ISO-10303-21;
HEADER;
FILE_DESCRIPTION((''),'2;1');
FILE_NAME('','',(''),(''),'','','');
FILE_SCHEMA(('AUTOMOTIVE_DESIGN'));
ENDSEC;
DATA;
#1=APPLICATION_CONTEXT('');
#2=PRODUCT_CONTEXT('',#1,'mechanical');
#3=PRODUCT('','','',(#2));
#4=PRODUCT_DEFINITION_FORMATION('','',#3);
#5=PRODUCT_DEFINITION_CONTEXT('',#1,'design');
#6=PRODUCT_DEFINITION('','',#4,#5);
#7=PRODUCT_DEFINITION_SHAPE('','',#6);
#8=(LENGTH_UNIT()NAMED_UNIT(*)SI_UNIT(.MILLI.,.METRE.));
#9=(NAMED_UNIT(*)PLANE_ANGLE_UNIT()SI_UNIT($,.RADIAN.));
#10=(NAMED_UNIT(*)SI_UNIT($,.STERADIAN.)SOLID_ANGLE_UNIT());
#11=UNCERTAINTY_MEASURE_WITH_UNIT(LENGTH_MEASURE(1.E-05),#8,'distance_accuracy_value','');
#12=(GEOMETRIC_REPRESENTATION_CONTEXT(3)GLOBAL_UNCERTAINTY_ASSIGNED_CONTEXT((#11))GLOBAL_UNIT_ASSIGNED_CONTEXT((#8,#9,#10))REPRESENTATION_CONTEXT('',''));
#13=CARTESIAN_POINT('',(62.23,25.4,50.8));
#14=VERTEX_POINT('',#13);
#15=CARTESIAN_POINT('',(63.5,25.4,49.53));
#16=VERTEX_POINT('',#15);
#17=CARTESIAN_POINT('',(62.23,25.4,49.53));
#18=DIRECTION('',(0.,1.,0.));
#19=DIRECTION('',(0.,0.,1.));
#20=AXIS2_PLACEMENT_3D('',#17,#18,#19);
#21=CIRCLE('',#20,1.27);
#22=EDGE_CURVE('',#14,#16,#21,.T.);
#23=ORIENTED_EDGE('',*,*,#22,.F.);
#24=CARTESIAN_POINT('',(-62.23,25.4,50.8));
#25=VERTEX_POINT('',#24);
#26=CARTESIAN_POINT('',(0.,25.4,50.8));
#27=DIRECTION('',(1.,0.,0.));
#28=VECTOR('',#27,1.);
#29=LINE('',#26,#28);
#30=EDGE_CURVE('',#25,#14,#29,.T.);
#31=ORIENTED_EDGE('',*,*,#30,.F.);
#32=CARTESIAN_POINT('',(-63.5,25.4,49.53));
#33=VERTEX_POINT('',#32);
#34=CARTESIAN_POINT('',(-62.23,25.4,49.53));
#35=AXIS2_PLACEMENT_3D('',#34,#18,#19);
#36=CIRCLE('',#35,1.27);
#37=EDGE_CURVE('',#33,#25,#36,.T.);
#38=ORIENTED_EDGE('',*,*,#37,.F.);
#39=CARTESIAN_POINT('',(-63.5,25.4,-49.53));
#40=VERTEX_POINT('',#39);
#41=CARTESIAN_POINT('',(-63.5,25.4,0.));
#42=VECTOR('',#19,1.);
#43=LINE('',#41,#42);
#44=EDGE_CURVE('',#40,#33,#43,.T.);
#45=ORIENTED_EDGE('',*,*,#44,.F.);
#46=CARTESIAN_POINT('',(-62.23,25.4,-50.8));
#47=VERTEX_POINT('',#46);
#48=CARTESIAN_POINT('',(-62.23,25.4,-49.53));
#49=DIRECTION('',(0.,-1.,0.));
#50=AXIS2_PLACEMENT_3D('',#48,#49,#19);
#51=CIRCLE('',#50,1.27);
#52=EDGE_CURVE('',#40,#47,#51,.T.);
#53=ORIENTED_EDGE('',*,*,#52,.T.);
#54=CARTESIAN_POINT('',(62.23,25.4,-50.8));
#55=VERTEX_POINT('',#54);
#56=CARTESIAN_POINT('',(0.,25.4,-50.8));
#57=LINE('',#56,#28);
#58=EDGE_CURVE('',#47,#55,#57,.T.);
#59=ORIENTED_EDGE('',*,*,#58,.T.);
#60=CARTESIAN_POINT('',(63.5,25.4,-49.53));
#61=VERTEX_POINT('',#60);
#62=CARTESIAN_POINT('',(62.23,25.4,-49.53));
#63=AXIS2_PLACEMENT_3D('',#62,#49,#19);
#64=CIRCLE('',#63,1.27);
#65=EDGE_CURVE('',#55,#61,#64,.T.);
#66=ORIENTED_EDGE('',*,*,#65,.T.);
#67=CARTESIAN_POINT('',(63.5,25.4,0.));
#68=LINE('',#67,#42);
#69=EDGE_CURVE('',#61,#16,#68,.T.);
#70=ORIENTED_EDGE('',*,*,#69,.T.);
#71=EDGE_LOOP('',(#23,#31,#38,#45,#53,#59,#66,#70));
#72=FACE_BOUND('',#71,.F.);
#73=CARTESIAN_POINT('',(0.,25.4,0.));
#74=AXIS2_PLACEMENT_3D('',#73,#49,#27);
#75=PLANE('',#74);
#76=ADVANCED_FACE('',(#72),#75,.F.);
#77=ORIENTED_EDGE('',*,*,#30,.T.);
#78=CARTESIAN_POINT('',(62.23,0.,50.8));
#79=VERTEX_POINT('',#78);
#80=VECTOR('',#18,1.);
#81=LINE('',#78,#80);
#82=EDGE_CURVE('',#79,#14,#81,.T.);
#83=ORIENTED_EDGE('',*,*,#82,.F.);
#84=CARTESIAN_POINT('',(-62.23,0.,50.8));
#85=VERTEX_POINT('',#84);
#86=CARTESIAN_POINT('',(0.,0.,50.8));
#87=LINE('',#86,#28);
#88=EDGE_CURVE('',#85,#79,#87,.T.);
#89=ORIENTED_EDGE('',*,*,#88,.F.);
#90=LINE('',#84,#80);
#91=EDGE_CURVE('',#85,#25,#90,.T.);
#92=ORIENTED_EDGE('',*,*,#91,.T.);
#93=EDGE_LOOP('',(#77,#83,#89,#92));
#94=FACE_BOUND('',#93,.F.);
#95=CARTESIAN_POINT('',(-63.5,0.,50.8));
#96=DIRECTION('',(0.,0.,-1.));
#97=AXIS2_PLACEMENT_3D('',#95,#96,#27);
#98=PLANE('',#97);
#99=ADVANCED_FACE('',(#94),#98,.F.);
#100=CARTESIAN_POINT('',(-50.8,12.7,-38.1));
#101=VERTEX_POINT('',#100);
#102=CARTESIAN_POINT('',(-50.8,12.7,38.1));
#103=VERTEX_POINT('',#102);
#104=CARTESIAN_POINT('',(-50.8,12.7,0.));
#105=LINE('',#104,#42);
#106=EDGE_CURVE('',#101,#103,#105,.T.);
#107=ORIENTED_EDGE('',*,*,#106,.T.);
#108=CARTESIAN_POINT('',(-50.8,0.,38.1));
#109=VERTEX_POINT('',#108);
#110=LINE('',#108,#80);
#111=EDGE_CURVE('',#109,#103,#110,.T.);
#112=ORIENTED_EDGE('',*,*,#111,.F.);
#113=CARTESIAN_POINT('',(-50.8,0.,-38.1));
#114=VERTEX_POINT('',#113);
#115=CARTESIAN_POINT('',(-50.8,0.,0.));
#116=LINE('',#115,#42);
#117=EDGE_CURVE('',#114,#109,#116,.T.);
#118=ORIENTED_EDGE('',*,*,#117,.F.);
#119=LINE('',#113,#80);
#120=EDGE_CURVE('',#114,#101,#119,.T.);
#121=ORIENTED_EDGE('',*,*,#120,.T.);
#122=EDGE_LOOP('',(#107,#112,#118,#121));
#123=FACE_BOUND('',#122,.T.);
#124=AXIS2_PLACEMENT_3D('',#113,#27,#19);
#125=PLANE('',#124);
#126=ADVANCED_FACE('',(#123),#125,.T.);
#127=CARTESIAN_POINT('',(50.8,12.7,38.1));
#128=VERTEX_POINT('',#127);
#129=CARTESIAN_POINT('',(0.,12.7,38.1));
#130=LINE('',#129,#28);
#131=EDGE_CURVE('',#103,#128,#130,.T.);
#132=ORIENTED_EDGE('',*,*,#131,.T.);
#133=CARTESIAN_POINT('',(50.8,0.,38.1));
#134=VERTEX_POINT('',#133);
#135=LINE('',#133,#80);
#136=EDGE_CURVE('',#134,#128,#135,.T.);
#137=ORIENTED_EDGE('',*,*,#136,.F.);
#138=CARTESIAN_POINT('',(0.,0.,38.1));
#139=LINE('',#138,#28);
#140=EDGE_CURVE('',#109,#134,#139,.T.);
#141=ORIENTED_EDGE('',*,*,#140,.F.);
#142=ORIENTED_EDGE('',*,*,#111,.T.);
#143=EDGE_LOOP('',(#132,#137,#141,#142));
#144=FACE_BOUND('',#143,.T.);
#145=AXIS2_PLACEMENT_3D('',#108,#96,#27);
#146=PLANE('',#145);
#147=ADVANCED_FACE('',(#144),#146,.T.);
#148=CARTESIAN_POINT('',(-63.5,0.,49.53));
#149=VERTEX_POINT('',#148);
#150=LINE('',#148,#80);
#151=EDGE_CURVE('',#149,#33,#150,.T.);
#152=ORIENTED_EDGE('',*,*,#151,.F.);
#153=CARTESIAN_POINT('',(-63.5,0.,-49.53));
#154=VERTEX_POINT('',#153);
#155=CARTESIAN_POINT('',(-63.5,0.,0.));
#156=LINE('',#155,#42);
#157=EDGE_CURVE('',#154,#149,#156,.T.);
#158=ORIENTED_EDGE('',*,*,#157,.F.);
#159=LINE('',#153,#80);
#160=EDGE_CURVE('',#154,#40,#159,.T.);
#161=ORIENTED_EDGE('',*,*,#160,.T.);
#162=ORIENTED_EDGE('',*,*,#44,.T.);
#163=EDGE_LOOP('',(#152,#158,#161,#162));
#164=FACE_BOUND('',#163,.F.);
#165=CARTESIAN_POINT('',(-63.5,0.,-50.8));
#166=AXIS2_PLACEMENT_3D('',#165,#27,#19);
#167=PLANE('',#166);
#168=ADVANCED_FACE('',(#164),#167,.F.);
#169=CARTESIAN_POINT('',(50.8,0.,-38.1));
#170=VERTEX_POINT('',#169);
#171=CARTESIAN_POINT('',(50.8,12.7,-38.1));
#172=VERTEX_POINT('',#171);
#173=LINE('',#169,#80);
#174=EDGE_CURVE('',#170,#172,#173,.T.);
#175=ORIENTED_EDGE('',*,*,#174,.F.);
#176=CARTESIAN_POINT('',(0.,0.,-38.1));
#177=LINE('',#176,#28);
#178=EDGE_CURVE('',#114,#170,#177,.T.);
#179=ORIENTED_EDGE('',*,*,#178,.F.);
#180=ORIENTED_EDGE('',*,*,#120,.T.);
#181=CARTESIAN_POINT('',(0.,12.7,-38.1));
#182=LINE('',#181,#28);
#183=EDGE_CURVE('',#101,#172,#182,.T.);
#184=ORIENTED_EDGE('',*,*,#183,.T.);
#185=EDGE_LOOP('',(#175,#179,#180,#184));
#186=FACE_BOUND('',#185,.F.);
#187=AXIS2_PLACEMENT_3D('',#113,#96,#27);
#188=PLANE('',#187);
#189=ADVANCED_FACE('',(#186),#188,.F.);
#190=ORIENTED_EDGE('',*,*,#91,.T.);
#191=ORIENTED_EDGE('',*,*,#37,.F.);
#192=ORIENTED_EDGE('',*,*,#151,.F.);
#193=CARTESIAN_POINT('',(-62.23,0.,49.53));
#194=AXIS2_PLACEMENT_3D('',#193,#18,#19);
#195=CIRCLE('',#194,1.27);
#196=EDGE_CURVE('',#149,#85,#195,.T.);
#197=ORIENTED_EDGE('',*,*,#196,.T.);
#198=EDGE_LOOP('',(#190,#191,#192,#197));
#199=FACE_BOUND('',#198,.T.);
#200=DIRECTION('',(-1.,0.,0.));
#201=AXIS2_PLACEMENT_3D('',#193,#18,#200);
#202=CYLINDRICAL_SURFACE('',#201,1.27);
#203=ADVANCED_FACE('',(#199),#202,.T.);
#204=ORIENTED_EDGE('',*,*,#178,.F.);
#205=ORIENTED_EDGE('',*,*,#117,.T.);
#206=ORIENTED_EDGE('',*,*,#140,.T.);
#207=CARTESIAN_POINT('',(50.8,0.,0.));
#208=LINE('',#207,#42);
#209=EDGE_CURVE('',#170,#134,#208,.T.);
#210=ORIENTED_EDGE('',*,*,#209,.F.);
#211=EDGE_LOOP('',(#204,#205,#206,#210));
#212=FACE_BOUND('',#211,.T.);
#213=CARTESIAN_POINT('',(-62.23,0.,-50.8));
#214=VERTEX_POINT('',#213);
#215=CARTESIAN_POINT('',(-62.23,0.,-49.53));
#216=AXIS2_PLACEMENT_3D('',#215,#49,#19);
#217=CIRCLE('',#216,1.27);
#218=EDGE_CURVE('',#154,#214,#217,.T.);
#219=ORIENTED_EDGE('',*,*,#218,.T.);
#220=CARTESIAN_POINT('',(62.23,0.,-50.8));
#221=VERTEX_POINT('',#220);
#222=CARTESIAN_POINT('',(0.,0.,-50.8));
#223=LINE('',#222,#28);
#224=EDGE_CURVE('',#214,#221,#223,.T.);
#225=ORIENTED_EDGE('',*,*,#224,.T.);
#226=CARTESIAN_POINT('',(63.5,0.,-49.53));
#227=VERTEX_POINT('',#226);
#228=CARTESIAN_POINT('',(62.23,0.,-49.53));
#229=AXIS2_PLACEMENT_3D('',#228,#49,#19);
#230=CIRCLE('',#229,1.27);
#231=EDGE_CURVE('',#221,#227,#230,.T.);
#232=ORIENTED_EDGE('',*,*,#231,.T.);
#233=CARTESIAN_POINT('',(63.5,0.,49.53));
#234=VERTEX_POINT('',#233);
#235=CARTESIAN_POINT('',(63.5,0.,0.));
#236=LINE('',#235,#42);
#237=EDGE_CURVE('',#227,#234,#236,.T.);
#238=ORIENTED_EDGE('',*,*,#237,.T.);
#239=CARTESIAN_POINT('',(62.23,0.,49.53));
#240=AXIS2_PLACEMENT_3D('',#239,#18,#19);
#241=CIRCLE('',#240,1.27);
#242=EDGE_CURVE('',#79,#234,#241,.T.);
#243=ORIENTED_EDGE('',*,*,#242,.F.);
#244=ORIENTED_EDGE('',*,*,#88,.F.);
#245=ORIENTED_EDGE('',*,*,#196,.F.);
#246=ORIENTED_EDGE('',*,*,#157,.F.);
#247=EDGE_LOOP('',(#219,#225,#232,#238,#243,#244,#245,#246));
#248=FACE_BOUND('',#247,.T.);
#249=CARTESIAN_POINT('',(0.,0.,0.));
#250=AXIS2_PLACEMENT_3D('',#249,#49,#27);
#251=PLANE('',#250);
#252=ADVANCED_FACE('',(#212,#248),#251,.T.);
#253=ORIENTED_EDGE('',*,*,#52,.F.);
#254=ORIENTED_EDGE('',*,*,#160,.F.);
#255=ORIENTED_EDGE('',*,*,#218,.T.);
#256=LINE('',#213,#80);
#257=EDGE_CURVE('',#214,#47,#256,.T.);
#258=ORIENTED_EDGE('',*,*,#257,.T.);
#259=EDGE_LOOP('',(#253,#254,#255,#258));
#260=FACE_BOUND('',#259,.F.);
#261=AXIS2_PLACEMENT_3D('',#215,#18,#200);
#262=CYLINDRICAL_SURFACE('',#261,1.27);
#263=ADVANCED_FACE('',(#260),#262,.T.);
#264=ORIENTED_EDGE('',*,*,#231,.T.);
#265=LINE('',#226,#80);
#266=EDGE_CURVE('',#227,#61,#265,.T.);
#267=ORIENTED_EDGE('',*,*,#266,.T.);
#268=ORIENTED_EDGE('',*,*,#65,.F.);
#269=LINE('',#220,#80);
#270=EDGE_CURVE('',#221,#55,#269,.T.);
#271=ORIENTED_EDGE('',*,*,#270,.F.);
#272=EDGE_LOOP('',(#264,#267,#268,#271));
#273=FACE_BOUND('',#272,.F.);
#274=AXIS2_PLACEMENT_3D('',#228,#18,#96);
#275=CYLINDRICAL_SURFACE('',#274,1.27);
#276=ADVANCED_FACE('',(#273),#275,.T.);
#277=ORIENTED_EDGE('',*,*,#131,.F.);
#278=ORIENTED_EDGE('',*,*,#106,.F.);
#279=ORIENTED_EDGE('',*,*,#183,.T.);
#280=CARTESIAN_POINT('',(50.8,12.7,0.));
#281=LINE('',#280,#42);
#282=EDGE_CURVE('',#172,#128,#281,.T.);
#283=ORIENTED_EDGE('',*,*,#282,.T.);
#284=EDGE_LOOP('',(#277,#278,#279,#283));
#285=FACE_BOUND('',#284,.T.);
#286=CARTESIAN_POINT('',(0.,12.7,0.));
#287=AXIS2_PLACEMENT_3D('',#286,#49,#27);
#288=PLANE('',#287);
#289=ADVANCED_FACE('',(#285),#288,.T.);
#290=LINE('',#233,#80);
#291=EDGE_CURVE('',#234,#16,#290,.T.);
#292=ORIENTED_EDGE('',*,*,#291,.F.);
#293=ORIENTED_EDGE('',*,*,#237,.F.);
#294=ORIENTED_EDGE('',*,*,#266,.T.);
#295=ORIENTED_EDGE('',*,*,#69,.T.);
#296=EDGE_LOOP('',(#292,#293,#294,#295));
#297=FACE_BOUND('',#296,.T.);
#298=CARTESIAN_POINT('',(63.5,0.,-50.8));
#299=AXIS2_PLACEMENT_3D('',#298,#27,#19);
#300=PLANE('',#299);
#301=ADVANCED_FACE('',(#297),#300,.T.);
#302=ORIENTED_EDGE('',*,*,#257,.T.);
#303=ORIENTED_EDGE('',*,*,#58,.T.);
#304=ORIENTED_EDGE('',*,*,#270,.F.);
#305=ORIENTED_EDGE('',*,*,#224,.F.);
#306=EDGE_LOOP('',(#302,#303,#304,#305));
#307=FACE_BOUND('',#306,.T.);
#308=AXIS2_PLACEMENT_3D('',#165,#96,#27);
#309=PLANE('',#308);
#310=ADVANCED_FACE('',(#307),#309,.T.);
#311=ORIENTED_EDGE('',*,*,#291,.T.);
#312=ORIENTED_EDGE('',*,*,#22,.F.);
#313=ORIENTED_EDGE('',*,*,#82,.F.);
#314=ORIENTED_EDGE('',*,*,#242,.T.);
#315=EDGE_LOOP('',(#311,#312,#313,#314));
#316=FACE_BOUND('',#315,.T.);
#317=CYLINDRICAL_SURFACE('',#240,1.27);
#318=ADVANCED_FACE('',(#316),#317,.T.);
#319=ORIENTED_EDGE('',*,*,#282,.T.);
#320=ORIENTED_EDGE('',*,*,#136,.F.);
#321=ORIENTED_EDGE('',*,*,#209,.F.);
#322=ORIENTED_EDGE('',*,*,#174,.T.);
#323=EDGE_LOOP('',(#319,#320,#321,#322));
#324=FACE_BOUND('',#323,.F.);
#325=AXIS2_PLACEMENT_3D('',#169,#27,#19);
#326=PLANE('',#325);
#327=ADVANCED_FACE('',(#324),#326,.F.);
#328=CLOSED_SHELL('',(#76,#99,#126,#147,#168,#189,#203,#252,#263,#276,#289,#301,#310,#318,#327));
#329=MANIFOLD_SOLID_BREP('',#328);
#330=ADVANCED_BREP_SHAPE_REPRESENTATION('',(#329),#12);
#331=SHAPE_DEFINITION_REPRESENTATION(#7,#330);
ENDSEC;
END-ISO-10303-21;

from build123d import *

# Parameters (mm, degrees)
F0_W     = 127
F0_H     = 101.6
F0_W_2   = 101.6
F0_H_2   = 76.2
F1_DEPTH = 25.4
F2_DEPTH = 12.7
F3_R     = 1.27


with BuildPart() as f1:
    # F0 (on Front) → F1 (new body)
    with BuildSketch(Plane.XZ):
        Rectangle(F0_W, F0_H)
        Rectangle(F0_W_2, F0_H_2, mode=Mode.SUBTRACT)
        Rectangle(F0_W_2, F0_H_2)
    extrude(amount=-F1_DEPTH)

    # F0 (on Front) → F2 (cut)
    with BuildSketch(Plane.XZ):
        Rectangle(F0_W_2, F0_H_2)
    extrude(amount=-F2_DEPTH, mode=Mode.SUBTRACT)

    # F3
    f3_edges = [f1.edges().sort_by_distance(p)[0] for p in [
        (-63.5, 12.7, 50.8),
        (63.5, 12.7, 50.8),
        (63.5, 12.7, -50.8),
        (-63.5, 12.7, -50.8),
    ]]
    fillet(f3_edges, radius=F3_R)


solid = f1.part
